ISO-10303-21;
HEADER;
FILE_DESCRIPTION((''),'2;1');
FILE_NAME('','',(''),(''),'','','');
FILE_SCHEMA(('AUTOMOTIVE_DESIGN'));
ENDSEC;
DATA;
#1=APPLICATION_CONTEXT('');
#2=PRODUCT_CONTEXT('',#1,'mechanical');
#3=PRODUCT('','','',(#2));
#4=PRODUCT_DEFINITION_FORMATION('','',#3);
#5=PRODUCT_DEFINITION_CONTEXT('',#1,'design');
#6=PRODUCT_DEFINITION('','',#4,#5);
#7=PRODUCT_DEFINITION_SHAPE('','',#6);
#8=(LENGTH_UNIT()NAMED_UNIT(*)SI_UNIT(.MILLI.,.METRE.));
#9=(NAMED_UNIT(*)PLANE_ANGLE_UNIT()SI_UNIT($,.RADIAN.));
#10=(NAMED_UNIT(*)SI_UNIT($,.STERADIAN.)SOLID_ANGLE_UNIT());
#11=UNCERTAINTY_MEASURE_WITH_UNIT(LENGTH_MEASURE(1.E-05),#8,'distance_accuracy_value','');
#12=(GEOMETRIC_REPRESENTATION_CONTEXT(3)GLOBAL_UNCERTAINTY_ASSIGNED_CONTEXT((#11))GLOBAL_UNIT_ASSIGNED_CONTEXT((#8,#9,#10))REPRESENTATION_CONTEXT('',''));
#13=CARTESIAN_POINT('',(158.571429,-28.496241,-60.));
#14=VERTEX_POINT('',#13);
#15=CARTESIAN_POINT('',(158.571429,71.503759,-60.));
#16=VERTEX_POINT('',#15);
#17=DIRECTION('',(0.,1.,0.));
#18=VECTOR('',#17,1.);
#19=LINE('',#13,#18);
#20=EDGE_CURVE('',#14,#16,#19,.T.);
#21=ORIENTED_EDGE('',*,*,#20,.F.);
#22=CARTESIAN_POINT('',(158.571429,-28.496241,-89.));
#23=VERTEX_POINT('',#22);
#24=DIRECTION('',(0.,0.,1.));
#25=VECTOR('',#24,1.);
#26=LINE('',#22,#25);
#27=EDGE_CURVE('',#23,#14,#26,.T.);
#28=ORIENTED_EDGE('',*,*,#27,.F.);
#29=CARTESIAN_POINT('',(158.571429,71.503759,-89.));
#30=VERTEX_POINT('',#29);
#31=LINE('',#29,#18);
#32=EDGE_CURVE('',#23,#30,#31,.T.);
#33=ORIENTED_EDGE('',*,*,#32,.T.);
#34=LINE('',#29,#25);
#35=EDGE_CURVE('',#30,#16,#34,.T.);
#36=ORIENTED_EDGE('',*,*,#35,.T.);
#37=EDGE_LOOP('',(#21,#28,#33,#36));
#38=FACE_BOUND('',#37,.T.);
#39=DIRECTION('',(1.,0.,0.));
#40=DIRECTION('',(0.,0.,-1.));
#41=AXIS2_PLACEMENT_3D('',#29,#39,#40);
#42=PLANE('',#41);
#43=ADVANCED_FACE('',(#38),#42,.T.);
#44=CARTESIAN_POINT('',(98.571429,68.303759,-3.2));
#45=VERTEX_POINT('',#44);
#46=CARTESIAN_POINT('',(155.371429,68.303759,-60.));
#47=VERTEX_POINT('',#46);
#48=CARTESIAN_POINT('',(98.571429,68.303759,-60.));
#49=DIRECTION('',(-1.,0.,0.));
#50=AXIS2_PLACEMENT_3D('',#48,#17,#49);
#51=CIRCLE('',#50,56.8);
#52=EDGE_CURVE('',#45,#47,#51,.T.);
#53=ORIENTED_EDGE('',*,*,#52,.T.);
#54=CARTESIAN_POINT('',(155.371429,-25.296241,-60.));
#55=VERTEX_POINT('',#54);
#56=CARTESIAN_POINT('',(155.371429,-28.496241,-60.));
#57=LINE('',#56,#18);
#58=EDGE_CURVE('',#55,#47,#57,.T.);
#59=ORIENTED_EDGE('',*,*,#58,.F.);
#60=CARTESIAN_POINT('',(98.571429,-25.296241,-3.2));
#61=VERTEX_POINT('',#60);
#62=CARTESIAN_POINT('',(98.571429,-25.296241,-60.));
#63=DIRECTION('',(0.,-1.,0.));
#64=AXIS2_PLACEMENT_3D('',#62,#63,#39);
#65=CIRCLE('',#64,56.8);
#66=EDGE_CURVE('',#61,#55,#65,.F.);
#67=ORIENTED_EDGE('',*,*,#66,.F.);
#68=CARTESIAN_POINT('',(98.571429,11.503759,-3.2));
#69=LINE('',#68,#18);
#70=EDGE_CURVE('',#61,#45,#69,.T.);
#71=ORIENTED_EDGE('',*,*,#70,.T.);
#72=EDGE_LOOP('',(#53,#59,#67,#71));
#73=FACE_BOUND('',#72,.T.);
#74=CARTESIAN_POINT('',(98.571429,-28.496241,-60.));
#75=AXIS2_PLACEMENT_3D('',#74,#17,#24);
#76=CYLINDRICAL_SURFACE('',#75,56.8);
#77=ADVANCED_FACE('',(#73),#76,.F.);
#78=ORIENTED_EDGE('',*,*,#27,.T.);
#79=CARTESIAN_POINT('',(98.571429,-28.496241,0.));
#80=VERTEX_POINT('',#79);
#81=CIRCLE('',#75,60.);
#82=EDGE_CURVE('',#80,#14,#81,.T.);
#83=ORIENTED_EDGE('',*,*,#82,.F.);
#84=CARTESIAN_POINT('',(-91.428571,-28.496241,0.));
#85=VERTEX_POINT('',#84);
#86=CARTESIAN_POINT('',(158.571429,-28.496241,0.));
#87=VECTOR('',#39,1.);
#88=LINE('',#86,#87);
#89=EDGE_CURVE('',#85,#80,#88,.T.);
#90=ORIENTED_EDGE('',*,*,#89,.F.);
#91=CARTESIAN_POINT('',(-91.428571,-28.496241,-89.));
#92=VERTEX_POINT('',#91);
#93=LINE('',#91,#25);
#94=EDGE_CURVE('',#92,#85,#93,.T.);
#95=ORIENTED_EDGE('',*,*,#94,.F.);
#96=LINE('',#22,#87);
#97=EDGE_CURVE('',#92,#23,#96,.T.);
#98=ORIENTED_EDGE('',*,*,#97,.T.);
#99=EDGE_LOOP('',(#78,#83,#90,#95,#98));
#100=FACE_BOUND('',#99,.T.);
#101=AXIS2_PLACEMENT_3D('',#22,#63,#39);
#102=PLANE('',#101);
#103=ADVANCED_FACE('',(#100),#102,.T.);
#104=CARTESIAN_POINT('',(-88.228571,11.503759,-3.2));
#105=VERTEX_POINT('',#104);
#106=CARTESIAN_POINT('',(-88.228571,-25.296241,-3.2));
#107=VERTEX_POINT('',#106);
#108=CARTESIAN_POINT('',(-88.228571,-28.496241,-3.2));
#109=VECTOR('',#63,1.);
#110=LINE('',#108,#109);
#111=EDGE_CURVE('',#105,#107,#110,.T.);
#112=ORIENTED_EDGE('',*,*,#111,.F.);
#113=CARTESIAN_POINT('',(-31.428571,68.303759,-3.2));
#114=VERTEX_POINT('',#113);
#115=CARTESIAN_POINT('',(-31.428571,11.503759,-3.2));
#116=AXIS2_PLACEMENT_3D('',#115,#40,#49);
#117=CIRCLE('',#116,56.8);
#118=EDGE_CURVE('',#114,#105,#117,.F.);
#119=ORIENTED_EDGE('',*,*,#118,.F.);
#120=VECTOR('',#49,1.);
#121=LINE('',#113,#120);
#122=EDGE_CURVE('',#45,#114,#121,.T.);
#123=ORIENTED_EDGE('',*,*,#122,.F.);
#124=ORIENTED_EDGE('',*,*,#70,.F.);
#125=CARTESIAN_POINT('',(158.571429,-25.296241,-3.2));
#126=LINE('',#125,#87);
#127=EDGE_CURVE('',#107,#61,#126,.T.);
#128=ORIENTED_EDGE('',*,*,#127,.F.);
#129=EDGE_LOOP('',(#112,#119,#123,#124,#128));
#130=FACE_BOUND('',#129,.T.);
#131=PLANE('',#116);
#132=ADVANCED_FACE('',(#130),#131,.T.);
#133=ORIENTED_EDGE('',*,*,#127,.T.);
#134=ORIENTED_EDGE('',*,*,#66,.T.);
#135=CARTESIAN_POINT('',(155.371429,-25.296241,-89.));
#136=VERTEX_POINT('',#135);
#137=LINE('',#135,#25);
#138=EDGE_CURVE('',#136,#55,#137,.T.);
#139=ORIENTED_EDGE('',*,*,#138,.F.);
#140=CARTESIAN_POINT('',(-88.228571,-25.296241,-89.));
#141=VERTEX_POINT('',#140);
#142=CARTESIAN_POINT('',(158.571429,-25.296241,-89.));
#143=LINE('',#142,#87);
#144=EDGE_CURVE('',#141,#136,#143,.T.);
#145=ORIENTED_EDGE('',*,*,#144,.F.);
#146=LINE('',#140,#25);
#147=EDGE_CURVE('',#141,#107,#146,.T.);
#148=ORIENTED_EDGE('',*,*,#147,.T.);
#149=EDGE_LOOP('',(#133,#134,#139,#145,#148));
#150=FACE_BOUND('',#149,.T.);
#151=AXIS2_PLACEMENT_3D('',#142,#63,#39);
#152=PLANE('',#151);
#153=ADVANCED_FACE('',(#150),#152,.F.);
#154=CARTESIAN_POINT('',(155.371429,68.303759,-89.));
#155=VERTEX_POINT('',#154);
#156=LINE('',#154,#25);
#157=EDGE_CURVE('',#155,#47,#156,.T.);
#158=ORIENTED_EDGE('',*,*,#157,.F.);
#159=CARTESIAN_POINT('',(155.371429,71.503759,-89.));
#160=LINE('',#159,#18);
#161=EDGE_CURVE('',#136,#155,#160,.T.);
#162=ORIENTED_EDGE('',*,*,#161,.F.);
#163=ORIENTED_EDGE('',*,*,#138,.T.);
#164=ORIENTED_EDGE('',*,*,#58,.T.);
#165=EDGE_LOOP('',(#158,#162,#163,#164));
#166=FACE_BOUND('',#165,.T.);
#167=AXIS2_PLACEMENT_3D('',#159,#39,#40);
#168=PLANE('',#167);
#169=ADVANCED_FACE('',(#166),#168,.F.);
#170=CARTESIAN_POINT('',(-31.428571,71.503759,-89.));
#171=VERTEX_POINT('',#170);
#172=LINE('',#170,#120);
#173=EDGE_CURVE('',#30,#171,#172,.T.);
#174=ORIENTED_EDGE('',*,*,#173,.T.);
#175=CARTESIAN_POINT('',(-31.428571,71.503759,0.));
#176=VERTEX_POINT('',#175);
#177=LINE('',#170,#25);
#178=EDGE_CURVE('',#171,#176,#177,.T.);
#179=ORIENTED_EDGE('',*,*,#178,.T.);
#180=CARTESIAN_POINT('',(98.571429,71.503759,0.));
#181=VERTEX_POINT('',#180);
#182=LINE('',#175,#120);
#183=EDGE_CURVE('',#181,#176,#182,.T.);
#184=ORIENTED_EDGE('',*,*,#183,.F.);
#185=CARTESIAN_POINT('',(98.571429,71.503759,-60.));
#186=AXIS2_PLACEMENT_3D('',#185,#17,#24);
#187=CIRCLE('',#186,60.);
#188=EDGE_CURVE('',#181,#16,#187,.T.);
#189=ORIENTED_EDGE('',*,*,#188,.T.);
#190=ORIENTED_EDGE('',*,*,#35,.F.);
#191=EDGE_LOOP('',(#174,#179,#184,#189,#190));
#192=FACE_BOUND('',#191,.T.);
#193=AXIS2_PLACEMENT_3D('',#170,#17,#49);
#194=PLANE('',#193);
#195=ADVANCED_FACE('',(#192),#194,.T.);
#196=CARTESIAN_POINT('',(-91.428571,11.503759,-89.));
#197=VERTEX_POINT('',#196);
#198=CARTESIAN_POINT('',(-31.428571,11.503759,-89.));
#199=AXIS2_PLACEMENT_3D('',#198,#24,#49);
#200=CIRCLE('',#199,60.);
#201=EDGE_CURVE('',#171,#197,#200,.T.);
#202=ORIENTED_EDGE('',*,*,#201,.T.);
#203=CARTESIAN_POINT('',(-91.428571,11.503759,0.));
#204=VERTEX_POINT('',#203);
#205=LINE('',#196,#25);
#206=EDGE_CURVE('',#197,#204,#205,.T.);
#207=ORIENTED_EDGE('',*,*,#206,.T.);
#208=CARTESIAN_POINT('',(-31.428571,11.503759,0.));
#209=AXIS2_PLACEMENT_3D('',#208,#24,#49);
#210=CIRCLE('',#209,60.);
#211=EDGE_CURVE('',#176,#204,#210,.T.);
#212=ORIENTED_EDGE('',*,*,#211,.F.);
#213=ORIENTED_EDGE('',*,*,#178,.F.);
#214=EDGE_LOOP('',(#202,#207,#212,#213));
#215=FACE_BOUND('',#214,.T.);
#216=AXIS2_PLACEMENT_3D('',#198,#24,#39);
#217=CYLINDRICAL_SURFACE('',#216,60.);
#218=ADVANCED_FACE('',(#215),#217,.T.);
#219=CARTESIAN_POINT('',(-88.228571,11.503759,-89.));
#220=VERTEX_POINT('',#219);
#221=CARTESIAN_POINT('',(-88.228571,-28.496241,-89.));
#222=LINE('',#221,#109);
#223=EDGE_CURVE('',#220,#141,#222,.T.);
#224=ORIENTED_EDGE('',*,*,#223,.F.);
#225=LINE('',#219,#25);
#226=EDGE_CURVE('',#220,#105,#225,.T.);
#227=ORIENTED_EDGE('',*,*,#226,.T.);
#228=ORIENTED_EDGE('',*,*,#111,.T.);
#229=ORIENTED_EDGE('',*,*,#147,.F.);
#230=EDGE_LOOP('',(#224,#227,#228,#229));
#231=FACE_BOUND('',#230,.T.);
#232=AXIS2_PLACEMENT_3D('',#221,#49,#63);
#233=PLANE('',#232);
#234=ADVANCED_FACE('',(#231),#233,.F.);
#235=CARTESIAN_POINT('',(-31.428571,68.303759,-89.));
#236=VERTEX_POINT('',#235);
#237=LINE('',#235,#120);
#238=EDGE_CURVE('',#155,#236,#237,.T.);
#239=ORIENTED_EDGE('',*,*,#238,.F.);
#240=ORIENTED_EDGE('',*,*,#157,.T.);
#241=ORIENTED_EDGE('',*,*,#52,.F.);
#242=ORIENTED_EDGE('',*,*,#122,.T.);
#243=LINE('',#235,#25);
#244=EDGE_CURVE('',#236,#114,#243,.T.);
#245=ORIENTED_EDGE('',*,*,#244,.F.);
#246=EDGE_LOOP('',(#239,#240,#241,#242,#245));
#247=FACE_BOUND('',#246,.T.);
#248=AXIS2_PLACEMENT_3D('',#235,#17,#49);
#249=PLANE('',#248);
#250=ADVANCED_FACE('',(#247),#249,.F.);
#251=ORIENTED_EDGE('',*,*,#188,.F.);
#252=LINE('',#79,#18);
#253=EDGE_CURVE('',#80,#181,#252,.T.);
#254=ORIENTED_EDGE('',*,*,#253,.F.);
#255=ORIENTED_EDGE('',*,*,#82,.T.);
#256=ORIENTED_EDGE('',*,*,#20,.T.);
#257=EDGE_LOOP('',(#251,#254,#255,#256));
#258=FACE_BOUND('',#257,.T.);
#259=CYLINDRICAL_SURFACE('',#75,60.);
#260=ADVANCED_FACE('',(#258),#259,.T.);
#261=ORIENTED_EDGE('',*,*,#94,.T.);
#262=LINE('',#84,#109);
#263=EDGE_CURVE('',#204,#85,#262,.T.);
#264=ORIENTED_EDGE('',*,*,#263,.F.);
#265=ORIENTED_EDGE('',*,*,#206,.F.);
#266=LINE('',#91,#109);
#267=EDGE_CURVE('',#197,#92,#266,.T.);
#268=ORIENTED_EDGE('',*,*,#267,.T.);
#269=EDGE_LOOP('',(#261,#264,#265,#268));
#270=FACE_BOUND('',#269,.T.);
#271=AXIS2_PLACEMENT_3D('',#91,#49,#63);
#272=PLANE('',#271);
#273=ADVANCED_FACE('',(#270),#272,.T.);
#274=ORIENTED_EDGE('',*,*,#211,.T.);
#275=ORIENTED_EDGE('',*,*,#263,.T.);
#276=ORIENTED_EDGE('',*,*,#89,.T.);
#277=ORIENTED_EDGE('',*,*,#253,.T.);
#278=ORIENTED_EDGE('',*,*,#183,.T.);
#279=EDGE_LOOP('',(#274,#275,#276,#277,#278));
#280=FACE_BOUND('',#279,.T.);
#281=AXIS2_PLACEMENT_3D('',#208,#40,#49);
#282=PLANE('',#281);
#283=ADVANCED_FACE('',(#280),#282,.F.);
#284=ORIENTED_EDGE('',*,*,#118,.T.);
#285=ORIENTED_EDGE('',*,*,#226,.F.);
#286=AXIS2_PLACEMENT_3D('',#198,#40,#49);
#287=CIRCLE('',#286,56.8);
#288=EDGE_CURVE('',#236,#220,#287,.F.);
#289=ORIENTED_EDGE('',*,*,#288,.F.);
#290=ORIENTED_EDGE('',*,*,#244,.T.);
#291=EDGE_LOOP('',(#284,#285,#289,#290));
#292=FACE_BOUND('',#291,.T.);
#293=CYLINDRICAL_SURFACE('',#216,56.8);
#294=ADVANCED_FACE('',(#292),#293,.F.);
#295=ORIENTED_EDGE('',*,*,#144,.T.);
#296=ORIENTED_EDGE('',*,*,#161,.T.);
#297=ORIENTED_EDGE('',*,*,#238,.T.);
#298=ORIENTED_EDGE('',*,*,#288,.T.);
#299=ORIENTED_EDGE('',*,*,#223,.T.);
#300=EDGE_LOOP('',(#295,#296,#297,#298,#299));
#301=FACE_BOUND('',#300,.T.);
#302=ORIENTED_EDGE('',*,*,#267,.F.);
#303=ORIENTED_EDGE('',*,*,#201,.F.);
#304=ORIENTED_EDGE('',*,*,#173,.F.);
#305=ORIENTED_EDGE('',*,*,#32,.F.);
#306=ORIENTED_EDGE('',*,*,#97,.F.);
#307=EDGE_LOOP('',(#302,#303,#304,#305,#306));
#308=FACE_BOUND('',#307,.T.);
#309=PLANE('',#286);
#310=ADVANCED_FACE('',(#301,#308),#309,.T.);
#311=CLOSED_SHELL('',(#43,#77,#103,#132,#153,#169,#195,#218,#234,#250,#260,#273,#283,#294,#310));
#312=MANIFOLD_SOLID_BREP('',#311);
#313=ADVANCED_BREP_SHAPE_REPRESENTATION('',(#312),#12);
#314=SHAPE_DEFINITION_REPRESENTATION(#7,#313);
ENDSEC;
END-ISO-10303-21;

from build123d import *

# Parameters (mm, degrees)
BOSS_EXTRUDE1_DEPTH     = 89
CUT_EXTRUDE1_DEPTH      = 208.523246792
CUT_EXTRUDE1_DEPTH_BACK = 208.523246792
SKETCH3_OUTSIDE_W       = 308.718
SKETCH3_OUTSIDE_H       = 147.718
SHELL1_T                = -3.2


with BuildPart() as part:
    # Sketch2 → Boss-Extrude1 (new body)
    with BuildSketch(Plane.XY):
        with BuildLine():
            Line((-91.428571429, -28.496240602), (-91.428571429, 11.503759398))
            ThreePointArc((-91.428571429, 11.503759398), (-73.8549783, 53.93016627), (-31.428571429, 71.503759398))
            Line((-31.428571429, 71.503759398), (158.571428571, 71.503759398))
            Line((158.571428571, 71.503759398), (158.571428571, -28.496240602))
            Line((158.571428571, -28.496240602), (-91.428571429, -28.496240602))
        make_face()
    extrude(amount=-BOSS_EXTRUDE1_DEPTH)

    # Sketch3 outside → Cut-Extrude1 (cut, two sides: drawn at the far end of the back side and taken through both)
    with BuildSketch(Plane(origin=(0, 71.503759398, 0), x_dir=(1, 0, 0), z_dir=(0, 1, 0)).offset(-CUT_EXTRUDE1_DEPTH_BACK)):
        with Locations((33.571, 44.5)):
            Rectangle(SKETCH3_OUTSIDE_W, SKETCH3_OUTSIDE_H)
        with BuildLine():
            Line((-91.428571429, 0), (98.571428571, 0))
            ThreePointArc((98.571428571, 0), (140.997835443, 17.573593129), (158.571428571, 60))
            Line((158.571428571, 60), (158.571428571, 89))
            Line((158.571428571, 89), (-91.428571429, 89))
            Line((-91.428571429, 89), (-91.428571429, 0))
        make_face(mode=Mode.SUBTRACT)
    extrude(amount=CUT_EXTRUDE1_DEPTH + CUT_EXTRUDE1_DEPTH_BACK, mode=Mode.SUBTRACT)

    # Shell1
    shell1_openings = [part.faces().sort_by_distance(p)[0] for p in [
        (37.130073368, 20.336721461, -89),
    ]]
    offset(amount=SHELL1_T, openings=shell1_openings, kind=Kind.INTERSECTION)


solid = part.part
